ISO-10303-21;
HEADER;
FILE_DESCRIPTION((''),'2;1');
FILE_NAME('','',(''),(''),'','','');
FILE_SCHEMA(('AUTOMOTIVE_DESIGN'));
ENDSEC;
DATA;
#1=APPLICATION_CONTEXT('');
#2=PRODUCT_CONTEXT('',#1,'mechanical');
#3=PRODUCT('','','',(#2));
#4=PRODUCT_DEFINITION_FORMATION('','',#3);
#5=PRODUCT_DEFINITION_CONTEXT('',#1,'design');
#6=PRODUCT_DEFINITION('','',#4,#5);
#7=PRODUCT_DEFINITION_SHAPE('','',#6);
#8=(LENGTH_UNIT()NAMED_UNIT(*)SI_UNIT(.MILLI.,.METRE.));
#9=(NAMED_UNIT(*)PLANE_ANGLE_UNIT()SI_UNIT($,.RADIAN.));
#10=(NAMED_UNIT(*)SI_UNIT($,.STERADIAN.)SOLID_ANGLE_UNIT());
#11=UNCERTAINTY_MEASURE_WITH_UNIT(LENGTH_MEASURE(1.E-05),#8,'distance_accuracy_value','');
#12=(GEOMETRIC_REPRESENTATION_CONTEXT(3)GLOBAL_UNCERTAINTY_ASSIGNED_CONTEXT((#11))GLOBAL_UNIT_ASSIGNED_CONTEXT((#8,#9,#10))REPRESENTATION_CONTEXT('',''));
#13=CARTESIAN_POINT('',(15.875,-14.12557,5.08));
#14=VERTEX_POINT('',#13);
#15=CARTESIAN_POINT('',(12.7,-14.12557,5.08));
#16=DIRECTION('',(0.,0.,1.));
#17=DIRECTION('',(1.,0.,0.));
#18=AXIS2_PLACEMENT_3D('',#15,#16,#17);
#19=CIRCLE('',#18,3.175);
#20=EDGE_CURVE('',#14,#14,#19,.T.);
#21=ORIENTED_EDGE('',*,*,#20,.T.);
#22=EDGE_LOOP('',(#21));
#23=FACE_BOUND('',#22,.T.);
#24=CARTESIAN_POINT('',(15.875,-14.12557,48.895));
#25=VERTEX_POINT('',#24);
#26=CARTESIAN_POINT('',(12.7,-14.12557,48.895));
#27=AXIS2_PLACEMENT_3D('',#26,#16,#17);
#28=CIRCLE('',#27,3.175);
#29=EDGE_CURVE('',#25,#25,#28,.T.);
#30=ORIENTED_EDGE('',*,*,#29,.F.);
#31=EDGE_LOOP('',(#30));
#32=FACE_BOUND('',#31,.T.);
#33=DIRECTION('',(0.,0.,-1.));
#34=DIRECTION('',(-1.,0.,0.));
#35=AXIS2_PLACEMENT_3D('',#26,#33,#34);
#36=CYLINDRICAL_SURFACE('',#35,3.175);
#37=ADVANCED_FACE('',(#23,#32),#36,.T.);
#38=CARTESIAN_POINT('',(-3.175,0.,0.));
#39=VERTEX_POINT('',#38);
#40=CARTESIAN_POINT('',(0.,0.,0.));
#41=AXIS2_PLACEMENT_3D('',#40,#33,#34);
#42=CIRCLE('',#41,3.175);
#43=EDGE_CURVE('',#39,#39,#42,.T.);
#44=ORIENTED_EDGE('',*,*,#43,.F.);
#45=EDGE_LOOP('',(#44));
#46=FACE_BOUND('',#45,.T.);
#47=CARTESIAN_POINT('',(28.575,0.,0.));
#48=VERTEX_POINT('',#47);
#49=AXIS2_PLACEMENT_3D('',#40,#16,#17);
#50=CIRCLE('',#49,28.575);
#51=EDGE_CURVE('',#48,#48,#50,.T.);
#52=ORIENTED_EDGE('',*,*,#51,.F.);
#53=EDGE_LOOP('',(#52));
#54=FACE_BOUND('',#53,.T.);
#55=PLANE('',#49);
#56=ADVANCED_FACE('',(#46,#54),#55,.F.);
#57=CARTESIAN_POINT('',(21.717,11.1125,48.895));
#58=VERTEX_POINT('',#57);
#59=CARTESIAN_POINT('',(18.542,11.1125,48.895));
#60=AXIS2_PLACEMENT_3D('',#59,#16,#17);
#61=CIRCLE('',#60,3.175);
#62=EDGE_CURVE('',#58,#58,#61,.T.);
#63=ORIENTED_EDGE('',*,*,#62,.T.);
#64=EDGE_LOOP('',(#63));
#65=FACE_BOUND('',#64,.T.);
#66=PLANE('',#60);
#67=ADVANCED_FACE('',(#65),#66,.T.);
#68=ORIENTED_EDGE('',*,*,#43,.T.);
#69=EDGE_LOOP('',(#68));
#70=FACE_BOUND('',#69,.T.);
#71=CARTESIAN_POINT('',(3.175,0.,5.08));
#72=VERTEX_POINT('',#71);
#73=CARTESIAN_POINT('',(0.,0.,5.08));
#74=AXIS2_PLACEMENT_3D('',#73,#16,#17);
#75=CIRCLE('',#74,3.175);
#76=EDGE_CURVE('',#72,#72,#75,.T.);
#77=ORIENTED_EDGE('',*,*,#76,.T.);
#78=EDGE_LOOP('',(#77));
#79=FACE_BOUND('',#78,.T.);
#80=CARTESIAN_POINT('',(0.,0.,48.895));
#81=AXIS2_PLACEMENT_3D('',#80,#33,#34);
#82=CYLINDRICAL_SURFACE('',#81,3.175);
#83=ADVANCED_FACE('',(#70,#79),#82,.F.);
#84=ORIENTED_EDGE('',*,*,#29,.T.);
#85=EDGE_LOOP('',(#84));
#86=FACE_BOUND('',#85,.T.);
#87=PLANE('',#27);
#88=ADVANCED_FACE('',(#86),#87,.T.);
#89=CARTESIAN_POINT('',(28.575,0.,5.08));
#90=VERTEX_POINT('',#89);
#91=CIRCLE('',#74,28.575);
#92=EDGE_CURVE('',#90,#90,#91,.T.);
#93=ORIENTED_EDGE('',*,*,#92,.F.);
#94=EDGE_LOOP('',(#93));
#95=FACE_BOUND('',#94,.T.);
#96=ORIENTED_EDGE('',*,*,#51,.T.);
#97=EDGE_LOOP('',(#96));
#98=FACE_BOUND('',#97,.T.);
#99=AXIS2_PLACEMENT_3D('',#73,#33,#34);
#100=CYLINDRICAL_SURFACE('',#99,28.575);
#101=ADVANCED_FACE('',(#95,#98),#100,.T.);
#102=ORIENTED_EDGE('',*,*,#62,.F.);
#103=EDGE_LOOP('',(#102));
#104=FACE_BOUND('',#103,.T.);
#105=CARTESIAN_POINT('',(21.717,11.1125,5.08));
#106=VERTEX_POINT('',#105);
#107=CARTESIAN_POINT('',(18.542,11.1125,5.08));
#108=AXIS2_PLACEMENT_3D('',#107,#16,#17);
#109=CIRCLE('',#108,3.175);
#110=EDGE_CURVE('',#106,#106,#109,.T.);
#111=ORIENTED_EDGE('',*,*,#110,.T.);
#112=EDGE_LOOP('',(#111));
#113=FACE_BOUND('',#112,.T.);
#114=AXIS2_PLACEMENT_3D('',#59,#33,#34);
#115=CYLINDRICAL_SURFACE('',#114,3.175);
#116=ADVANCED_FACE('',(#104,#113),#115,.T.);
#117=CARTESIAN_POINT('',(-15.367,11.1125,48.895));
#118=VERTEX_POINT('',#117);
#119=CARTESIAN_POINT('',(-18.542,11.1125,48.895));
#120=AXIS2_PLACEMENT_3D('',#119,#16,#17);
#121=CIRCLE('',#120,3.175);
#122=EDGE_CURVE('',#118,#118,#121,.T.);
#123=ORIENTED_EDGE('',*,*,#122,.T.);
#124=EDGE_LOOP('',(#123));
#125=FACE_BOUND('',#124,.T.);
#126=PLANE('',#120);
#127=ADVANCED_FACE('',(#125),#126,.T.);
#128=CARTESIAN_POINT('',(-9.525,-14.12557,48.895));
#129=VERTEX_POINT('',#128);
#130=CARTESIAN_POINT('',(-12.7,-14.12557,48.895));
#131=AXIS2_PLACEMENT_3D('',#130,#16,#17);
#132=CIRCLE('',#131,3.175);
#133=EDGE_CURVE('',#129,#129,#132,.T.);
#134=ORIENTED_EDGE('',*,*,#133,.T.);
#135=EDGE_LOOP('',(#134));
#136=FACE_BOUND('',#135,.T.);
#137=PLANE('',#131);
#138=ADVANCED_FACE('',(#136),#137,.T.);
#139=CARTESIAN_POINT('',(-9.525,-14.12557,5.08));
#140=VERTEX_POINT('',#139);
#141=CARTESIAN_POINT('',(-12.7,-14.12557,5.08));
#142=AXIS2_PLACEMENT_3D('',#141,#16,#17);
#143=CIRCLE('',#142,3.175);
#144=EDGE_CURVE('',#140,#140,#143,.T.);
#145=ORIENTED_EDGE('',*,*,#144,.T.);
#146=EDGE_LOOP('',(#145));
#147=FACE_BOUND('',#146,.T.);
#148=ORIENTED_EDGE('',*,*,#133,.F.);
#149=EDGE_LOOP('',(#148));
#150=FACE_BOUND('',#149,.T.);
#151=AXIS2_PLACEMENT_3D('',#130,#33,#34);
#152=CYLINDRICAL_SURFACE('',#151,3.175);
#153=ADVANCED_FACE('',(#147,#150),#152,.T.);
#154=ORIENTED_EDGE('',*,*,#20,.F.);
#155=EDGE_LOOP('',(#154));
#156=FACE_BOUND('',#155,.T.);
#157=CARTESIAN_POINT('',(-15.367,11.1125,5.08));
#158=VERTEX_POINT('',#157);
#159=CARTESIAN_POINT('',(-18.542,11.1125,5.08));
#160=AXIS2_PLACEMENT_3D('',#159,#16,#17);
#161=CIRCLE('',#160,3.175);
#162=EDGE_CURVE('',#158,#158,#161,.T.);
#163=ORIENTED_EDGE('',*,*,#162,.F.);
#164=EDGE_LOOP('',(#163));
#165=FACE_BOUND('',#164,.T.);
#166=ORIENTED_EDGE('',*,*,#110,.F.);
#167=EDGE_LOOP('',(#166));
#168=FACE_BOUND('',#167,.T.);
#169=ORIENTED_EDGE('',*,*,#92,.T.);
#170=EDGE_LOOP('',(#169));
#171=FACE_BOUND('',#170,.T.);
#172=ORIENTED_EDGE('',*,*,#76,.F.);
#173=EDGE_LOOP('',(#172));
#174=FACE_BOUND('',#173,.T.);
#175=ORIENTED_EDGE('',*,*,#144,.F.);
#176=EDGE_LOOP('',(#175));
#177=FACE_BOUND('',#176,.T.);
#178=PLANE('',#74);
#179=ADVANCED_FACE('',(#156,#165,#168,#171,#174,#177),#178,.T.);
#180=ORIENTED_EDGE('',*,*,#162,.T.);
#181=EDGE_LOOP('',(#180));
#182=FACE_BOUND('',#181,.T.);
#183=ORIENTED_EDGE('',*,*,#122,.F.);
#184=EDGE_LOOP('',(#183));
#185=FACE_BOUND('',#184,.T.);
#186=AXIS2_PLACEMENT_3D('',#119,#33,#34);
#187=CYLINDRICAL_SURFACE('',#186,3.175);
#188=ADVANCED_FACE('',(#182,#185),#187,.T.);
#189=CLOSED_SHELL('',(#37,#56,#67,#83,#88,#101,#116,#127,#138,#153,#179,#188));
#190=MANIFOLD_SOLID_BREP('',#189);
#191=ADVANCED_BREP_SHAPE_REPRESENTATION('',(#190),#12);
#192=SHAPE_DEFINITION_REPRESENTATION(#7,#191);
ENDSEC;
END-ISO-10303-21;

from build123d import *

# Parameters (mm, degrees)
SKETCH1_R           = 28.575
BOSS_EXTRUDE1_DEPTH = 5.08
SKETCH2_R           = 3.175
BOSS_EXTRUDE2_DEPTH = 43.815
SKETCH6_R           = 3.175
CUT_EXTRUDE2_DEPTH  = 49.895


with BuildPart() as part:
    # Sketch1 → Boss-Extrude1 (new body)
    with BuildSketch(Plane.XY):
        Circle(SKETCH1_R)
    extrude(amount=BOSS_EXTRUDE1_DEPTH)

    # Sketch2 → Boss-Extrude2 (add)
    with BuildSketch(Plane.XY.offset(5.08)):
        with Locations((-18.542, 11.1125)):
            Circle(SKETCH2_R)
        with Locations((18.542, 11.1125)):
            Circle(SKETCH2_R)
        with Locations((-12.7, -14.125569529)):
            Circle(SKETCH2_R)
        with Locations((12.7, -14.125569529)):
            Circle(SKETCH2_R)
    extrude(amount=BOSS_EXTRUDE2_DEPTH)

    # Sketch6 → Cut-Extrude2 (cut, through all)
    with BuildSketch(Plane(origin=(0, 0, 0), x_dir=(-1, 0, 0), z_dir=(0, 0, -1))):
        Circle(SKETCH6_R)
    extrude(amount=-CUT_EXTRUDE2_DEPTH, mode=Mode.SUBTRACT)


solid = part.part
